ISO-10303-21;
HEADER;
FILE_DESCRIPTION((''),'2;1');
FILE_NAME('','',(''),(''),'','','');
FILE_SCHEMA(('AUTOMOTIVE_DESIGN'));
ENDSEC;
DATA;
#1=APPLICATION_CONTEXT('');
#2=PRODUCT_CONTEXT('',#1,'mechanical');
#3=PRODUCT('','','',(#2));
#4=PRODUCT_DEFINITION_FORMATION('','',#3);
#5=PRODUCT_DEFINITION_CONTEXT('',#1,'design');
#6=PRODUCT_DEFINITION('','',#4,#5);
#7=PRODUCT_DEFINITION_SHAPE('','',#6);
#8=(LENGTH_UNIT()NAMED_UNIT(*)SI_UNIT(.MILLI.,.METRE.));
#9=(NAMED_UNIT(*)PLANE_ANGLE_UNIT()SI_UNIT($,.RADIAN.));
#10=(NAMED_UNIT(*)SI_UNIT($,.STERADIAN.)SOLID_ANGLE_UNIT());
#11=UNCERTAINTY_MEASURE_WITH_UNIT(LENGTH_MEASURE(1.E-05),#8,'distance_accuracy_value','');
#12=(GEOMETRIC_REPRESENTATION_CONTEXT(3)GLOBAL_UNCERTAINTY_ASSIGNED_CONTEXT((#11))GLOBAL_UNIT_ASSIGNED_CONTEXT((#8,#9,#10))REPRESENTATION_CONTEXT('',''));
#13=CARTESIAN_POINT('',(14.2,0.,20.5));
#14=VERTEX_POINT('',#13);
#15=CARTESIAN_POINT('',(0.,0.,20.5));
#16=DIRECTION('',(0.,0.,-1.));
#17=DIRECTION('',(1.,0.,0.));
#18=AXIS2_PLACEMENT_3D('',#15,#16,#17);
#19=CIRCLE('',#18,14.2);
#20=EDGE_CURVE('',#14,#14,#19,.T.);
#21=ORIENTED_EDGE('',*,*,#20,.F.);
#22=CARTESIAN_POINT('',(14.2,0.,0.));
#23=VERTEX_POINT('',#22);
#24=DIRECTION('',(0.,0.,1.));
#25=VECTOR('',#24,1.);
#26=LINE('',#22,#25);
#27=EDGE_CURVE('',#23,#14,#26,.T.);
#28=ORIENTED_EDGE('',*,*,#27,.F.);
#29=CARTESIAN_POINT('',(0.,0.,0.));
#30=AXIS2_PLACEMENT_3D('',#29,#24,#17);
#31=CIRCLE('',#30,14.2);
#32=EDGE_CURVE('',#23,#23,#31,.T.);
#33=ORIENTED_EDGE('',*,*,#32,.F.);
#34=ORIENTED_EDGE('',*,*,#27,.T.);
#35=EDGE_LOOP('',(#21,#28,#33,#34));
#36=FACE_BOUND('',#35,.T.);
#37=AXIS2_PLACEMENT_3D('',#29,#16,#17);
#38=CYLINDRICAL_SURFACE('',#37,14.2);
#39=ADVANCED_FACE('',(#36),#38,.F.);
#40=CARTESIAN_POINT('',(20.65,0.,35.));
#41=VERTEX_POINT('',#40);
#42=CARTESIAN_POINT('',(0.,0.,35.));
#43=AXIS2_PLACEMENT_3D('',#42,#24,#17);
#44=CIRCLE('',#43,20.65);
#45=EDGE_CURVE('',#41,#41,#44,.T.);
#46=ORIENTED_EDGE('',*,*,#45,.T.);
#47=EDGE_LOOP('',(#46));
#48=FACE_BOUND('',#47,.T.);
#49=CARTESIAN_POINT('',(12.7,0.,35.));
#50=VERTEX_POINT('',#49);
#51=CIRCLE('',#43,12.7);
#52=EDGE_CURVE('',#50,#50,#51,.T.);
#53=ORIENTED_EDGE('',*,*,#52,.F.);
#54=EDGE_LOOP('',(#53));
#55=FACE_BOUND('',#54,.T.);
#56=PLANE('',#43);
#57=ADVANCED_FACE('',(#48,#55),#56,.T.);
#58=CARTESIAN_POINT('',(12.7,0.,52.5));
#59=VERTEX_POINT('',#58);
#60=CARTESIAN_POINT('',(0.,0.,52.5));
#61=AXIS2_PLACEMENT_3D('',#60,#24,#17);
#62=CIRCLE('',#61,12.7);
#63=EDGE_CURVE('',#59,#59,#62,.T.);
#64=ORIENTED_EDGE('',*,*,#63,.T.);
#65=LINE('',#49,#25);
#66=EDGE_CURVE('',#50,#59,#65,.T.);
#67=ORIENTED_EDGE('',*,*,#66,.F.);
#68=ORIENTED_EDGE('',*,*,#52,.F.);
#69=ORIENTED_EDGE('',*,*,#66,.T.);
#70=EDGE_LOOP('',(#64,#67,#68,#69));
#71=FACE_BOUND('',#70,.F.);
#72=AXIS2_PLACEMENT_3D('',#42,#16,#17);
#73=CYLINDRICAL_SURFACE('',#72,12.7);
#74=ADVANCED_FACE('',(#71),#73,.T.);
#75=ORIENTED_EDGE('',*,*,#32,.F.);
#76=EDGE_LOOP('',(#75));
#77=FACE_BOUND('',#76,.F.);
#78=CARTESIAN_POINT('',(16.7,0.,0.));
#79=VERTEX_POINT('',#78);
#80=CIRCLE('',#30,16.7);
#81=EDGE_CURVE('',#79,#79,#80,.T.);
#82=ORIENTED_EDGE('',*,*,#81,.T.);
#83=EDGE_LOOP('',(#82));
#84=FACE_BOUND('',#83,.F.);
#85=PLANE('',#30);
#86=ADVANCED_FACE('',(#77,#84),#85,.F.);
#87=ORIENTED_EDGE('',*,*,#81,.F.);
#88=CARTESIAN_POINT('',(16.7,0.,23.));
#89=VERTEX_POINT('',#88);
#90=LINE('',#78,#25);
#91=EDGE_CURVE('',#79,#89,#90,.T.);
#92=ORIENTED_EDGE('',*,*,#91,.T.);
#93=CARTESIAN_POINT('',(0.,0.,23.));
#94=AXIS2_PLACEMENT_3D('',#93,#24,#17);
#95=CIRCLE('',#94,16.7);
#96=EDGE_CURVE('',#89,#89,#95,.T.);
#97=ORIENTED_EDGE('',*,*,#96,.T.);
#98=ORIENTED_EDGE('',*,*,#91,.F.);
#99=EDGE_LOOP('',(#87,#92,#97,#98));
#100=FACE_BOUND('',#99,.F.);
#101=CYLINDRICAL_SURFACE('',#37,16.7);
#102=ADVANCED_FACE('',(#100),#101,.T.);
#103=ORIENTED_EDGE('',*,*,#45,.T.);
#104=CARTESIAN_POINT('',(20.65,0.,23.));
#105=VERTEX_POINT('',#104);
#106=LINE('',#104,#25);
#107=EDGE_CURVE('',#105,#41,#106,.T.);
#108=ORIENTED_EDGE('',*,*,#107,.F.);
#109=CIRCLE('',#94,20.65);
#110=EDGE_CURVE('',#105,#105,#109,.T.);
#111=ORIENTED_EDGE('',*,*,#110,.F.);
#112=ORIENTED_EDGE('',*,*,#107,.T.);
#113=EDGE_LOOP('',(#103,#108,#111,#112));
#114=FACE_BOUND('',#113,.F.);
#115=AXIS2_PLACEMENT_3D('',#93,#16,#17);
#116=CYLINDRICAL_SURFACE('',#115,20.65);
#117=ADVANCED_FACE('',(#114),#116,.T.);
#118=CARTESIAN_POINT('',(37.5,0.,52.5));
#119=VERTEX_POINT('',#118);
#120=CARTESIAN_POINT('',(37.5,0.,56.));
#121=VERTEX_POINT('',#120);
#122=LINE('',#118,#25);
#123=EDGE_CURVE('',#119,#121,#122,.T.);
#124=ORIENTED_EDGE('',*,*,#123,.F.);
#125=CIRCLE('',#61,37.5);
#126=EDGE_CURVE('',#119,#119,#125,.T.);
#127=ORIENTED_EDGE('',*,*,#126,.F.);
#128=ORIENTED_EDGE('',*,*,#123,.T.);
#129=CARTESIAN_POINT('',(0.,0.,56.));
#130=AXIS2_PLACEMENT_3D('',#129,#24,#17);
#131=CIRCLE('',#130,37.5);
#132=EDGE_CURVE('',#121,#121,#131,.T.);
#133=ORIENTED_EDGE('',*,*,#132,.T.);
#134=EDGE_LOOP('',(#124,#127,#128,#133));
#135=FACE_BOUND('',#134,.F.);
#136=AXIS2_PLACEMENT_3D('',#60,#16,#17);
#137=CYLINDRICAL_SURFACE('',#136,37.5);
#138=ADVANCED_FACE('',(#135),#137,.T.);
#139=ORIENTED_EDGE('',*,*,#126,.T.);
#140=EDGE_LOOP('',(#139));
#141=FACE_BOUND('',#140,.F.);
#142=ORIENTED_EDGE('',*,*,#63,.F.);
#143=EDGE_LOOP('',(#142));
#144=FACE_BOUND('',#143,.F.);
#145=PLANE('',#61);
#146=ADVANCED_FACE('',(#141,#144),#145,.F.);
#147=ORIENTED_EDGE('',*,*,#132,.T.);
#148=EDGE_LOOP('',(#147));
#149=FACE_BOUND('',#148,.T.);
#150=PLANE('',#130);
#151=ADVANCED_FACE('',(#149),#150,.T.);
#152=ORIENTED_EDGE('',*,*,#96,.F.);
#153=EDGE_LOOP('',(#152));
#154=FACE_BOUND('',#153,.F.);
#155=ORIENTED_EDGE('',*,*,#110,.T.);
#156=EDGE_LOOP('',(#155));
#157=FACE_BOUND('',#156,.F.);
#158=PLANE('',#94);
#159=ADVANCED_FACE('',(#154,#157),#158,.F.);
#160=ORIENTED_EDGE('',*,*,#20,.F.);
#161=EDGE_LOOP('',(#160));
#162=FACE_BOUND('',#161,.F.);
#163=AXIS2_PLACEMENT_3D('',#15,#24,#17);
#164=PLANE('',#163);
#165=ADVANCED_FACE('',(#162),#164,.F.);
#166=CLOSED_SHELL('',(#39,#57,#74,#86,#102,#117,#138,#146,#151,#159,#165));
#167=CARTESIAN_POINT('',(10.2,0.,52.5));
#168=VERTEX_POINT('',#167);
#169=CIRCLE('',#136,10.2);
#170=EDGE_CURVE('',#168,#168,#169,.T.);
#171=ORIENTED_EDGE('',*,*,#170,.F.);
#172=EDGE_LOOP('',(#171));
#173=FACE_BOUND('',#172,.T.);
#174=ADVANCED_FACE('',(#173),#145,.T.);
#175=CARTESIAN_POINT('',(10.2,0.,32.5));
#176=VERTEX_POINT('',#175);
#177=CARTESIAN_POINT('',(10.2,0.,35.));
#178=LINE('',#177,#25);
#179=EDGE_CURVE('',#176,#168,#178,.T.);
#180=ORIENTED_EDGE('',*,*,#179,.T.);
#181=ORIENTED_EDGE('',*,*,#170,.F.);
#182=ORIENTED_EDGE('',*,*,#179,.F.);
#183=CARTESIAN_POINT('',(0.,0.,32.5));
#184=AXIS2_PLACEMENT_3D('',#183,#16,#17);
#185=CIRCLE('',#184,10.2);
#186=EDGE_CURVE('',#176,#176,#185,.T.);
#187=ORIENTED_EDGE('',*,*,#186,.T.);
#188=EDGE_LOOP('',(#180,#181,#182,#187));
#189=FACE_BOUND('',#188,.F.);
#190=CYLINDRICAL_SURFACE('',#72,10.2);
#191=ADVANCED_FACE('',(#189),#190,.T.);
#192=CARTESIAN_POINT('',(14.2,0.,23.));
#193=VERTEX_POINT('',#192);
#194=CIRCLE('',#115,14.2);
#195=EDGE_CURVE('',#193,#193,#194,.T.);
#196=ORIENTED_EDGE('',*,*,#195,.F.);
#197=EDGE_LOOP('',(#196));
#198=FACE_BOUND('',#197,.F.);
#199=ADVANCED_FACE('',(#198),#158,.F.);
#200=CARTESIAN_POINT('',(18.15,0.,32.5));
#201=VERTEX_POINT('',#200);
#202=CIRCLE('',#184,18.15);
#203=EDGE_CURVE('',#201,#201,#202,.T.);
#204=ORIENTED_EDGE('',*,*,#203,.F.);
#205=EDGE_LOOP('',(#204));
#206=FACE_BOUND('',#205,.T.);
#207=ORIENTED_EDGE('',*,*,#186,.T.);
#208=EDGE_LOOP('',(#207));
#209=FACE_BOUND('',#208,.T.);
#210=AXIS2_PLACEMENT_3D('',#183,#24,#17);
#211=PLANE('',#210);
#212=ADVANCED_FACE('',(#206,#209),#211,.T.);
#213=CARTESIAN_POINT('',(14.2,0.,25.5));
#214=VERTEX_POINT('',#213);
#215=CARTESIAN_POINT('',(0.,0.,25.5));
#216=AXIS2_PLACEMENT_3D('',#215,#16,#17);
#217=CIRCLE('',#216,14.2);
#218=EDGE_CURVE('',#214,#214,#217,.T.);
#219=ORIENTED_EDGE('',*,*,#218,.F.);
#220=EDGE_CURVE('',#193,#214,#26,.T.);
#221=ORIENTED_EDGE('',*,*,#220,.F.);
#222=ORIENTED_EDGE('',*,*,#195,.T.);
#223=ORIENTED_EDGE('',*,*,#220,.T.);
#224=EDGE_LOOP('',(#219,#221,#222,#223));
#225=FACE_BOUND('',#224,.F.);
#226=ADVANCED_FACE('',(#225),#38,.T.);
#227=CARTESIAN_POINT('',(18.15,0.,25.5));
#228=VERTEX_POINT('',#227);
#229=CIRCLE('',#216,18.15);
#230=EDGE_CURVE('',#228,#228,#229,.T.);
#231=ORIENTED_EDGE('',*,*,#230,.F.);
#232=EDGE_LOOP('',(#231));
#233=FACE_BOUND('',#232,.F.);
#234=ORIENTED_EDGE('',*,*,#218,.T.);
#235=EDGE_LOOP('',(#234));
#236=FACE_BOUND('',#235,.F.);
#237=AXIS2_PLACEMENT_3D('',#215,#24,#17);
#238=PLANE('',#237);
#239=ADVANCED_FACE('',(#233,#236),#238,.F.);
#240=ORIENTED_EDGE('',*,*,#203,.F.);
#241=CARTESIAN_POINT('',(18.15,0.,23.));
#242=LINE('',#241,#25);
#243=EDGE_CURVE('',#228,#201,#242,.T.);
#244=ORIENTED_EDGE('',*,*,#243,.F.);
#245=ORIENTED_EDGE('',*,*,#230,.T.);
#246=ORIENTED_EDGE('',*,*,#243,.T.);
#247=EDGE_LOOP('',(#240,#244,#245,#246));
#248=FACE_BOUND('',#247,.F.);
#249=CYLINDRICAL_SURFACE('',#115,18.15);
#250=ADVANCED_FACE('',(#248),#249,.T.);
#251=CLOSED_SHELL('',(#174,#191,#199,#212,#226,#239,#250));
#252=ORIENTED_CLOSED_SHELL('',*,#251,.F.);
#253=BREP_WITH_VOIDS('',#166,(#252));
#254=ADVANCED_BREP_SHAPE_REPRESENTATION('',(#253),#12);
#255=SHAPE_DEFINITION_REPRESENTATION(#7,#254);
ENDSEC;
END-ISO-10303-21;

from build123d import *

# Parameters (mm, degrees)
F0_R     = 16.7
F1_DEPTH = 23
F2_T     = -2.5
F3_R     = 20.65
F3_R_2   = 16.7
F4_DEPTH = 12
F5_R     = 12.7
F6_DEPTH = 17.5
F7_T     = -2.5
F8_R     = 37.5
F8_R_2   = 12.7
F8_R_3   = 10.2
F9_DEPTH = 3.5


with BuildPart() as f1:
    # F0 (on Top) → F1 (new body)
    with BuildSketch(Plane.XY):
        Circle(F0_R)
    extrude(amount=F1_DEPTH)

    # F2
    f2_openings = [f1.faces().sort_by_distance(p)[0] for p in [
        (0, 0, 0),
    ]]
    offset(amount=F2_T, openings=f2_openings)

    # F3 (on face) → F4 (join)
    with BuildSketch(Plane.XY.offset(23)):
        Circle(F3_R)
        Circle(F3_R_2, mode=Mode.SUBTRACT)
        Circle(F3_R_2)
    extrude(amount=F4_DEPTH)

    # F5 (on face) → F6 (join)
    with BuildSketch(Plane.XY.offset(35)):
        Circle(F5_R)
    extrude(amount=F6_DEPTH)

    # F7
    f7_openings = [f1.faces().sort_by_distance(p)[0] for p in [
        (0, 0, 52.5),
    ]]
    offset(amount=F7_T, openings=f7_openings, kind=Kind.INTERSECTION)

    # F8 (on face) → F9 (join)
    with BuildSketch(Plane.XY.offset(52.5)):
        Circle(F8_R)
        Circle(F8_R_2, mode=Mode.SUBTRACT)
        Circle(F8_R_2)
        Circle(F8_R_3, mode=Mode.SUBTRACT)
        Circle(F8_R_3)
    extrude(amount=F9_DEPTH)


solid = f1.part
